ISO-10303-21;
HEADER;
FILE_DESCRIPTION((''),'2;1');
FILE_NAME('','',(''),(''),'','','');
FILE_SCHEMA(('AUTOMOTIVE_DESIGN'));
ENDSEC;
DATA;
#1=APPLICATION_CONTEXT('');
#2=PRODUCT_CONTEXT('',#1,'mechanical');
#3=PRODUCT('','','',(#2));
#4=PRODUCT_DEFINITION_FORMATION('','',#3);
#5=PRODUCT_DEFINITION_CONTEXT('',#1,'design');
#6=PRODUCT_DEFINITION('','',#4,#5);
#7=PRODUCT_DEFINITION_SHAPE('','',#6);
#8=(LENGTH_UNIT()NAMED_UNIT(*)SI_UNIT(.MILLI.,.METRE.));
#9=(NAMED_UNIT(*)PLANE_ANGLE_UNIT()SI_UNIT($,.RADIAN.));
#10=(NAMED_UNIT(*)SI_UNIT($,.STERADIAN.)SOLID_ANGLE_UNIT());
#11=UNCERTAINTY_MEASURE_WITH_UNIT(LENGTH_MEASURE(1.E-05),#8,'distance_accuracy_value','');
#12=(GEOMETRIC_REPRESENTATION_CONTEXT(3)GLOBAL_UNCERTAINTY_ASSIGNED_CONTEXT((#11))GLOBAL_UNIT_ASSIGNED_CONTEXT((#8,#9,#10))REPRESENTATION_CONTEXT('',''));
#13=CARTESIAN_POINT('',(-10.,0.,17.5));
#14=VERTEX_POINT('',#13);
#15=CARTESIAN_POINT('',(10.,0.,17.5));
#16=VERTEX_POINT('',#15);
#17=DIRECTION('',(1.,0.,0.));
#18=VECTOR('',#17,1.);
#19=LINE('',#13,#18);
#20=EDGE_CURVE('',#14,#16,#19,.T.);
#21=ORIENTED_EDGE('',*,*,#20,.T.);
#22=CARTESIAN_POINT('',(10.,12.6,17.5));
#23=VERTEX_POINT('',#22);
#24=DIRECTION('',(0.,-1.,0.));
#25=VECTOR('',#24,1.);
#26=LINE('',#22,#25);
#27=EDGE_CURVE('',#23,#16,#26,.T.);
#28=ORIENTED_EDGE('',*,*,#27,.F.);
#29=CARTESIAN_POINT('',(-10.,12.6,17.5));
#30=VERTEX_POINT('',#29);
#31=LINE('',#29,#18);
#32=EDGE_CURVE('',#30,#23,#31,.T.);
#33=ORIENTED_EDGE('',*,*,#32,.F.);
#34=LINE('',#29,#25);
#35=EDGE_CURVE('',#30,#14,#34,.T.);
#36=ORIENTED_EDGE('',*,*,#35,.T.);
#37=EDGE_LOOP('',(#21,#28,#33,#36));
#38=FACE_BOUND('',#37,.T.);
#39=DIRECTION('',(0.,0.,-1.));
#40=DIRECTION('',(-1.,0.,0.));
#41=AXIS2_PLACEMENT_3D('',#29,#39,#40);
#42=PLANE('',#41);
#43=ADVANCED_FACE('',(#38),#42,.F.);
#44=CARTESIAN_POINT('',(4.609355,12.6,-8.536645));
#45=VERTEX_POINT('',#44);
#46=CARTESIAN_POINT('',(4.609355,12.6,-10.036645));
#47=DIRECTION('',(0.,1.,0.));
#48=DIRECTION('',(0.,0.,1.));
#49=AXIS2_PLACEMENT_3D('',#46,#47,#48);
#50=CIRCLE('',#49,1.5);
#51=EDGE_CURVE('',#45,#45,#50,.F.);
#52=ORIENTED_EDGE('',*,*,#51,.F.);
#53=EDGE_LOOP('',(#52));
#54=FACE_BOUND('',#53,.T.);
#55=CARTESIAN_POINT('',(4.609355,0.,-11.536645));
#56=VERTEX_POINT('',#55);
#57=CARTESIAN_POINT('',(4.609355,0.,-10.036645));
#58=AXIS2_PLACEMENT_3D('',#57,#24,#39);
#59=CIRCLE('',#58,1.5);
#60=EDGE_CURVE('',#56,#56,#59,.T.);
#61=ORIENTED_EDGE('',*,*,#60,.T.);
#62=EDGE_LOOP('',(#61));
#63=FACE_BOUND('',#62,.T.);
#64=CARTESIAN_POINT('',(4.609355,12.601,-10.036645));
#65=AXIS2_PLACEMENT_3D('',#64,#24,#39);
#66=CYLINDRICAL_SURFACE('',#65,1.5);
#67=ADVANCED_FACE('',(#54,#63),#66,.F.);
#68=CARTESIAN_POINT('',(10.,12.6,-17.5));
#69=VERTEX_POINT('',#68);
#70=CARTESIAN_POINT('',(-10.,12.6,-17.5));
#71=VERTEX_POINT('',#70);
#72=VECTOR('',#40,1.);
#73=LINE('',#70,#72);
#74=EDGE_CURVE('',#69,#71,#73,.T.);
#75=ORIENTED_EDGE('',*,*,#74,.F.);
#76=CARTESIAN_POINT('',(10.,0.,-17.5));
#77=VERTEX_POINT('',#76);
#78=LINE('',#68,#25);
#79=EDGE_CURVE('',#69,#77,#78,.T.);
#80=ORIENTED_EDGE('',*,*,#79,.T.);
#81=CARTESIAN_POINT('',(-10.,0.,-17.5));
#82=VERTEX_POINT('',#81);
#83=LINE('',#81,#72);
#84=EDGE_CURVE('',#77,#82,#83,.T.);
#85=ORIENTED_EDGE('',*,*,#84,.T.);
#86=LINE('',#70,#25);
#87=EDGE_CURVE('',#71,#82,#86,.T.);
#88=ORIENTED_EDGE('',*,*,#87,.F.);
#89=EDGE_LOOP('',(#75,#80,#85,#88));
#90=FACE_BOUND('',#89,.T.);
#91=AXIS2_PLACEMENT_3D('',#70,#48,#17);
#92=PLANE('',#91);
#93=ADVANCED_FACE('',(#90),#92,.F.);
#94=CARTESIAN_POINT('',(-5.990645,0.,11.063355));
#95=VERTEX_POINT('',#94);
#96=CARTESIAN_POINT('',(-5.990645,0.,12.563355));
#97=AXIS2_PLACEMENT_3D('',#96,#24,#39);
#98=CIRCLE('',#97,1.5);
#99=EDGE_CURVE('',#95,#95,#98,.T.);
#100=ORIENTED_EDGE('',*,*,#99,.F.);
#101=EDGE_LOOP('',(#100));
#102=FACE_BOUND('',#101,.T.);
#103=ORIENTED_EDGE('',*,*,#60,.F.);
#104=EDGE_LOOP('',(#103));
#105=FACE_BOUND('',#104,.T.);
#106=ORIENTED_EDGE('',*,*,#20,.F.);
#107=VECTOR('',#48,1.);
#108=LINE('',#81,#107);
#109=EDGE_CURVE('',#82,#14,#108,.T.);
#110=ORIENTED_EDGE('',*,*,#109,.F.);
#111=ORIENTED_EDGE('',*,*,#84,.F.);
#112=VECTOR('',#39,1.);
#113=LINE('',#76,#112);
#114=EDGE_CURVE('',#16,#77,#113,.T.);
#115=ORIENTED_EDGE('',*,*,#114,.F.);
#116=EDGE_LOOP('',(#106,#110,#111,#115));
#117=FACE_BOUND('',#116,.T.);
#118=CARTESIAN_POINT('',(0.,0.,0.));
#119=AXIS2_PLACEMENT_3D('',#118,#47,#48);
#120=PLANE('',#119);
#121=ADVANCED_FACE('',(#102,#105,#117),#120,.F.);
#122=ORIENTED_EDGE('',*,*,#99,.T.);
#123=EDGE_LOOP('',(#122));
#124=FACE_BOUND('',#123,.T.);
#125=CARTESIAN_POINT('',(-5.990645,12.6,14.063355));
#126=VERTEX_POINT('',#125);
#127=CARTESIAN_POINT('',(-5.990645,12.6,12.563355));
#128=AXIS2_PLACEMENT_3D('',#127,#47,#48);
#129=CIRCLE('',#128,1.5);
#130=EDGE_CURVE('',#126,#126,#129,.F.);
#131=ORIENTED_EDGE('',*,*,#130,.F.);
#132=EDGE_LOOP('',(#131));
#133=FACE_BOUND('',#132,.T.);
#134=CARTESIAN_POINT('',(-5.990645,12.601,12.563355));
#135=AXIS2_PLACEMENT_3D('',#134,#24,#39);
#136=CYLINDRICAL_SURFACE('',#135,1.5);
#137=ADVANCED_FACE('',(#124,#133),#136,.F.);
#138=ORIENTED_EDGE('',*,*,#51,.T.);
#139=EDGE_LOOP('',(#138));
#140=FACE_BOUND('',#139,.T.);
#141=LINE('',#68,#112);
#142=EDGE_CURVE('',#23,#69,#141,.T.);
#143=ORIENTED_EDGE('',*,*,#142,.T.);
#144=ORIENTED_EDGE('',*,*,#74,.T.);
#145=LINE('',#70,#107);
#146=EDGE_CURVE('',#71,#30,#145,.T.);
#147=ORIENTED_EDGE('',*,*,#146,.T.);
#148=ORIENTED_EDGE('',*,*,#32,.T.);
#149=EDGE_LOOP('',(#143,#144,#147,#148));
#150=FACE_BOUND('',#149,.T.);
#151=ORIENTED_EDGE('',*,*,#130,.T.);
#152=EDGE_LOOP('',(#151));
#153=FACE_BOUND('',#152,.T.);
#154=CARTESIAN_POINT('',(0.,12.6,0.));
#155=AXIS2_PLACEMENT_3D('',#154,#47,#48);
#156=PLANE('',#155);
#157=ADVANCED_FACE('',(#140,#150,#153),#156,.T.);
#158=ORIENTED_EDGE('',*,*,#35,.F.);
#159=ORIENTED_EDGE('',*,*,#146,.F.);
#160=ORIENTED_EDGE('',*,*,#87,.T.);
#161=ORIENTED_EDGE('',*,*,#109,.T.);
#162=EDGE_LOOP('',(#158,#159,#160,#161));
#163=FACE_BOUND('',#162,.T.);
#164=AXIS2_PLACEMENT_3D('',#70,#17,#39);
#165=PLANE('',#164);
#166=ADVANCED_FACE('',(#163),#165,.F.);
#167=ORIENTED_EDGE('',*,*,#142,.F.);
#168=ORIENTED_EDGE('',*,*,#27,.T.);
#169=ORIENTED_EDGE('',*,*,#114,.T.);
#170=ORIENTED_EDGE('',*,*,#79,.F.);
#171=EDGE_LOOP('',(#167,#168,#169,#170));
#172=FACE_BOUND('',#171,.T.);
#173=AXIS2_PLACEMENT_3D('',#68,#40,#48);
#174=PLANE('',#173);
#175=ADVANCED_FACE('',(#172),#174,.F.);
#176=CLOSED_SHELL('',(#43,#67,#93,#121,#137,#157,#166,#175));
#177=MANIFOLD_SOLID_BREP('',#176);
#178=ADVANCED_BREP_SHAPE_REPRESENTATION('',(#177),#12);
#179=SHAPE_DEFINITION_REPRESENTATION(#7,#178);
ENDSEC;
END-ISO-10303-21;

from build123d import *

# Parameters (mm, degrees)
SKETCH1_W           = 20
SKETCH1_H           = 35
BOSS_EXTRUDE1_DEPTH = 12.6
CUT_EXTRUDE1_REACH  = 14.6
SKETCH2_R           = 1.5


with BuildPart() as part:
    # Sketch1 → Boss-Extrude1 (new body)
    with BuildSketch(Plane(origin=(0, 0, 0), x_dir=(1, 0, 0), z_dir=(0, 1, 0))):
        Rectangle(SKETCH1_W, SKETCH1_H)
    extrude(amount=BOSS_EXTRUDE1_DEPTH)

    # Sketch2 → Cut-Extrude1 (cut, up to next)
    with BuildSketch(Plane.XZ, mode=Mode.PRIVATE) as cut_extrude1_sk1:
        with Locations((-5.990644946, 12.563355097)):
            Circle(SKETCH2_R)
    cut_extrude1_tool1 = extrude(cut_extrude1_sk1.sketch, amount=-CUT_EXTRUDE1_REACH, mode=Mode.PRIVATE) & part.part
    add(cut_extrude1_tool1.solids().sort_by_distance((-5.990645, 0, 12.563355))[0], mode=Mode.SUBTRACT)
    # Sketch2 → Cut-Extrude1 (cut, up to next)
    with BuildSketch(Plane.XZ, mode=Mode.PRIVATE) as cut_extrude1_sk2:
        with Locations((4.609355054, -10.036644903)):
            Circle(SKETCH2_R)
    cut_extrude1_tool2 = extrude(cut_extrude1_sk2.sketch, amount=-CUT_EXTRUDE1_REACH, mode=Mode.PRIVATE) & part.part
    add(cut_extrude1_tool2.solids().sort_by_distance((4.609355, 0, -10.036645))[0], mode=Mode.SUBTRACT)


solid = part.part
